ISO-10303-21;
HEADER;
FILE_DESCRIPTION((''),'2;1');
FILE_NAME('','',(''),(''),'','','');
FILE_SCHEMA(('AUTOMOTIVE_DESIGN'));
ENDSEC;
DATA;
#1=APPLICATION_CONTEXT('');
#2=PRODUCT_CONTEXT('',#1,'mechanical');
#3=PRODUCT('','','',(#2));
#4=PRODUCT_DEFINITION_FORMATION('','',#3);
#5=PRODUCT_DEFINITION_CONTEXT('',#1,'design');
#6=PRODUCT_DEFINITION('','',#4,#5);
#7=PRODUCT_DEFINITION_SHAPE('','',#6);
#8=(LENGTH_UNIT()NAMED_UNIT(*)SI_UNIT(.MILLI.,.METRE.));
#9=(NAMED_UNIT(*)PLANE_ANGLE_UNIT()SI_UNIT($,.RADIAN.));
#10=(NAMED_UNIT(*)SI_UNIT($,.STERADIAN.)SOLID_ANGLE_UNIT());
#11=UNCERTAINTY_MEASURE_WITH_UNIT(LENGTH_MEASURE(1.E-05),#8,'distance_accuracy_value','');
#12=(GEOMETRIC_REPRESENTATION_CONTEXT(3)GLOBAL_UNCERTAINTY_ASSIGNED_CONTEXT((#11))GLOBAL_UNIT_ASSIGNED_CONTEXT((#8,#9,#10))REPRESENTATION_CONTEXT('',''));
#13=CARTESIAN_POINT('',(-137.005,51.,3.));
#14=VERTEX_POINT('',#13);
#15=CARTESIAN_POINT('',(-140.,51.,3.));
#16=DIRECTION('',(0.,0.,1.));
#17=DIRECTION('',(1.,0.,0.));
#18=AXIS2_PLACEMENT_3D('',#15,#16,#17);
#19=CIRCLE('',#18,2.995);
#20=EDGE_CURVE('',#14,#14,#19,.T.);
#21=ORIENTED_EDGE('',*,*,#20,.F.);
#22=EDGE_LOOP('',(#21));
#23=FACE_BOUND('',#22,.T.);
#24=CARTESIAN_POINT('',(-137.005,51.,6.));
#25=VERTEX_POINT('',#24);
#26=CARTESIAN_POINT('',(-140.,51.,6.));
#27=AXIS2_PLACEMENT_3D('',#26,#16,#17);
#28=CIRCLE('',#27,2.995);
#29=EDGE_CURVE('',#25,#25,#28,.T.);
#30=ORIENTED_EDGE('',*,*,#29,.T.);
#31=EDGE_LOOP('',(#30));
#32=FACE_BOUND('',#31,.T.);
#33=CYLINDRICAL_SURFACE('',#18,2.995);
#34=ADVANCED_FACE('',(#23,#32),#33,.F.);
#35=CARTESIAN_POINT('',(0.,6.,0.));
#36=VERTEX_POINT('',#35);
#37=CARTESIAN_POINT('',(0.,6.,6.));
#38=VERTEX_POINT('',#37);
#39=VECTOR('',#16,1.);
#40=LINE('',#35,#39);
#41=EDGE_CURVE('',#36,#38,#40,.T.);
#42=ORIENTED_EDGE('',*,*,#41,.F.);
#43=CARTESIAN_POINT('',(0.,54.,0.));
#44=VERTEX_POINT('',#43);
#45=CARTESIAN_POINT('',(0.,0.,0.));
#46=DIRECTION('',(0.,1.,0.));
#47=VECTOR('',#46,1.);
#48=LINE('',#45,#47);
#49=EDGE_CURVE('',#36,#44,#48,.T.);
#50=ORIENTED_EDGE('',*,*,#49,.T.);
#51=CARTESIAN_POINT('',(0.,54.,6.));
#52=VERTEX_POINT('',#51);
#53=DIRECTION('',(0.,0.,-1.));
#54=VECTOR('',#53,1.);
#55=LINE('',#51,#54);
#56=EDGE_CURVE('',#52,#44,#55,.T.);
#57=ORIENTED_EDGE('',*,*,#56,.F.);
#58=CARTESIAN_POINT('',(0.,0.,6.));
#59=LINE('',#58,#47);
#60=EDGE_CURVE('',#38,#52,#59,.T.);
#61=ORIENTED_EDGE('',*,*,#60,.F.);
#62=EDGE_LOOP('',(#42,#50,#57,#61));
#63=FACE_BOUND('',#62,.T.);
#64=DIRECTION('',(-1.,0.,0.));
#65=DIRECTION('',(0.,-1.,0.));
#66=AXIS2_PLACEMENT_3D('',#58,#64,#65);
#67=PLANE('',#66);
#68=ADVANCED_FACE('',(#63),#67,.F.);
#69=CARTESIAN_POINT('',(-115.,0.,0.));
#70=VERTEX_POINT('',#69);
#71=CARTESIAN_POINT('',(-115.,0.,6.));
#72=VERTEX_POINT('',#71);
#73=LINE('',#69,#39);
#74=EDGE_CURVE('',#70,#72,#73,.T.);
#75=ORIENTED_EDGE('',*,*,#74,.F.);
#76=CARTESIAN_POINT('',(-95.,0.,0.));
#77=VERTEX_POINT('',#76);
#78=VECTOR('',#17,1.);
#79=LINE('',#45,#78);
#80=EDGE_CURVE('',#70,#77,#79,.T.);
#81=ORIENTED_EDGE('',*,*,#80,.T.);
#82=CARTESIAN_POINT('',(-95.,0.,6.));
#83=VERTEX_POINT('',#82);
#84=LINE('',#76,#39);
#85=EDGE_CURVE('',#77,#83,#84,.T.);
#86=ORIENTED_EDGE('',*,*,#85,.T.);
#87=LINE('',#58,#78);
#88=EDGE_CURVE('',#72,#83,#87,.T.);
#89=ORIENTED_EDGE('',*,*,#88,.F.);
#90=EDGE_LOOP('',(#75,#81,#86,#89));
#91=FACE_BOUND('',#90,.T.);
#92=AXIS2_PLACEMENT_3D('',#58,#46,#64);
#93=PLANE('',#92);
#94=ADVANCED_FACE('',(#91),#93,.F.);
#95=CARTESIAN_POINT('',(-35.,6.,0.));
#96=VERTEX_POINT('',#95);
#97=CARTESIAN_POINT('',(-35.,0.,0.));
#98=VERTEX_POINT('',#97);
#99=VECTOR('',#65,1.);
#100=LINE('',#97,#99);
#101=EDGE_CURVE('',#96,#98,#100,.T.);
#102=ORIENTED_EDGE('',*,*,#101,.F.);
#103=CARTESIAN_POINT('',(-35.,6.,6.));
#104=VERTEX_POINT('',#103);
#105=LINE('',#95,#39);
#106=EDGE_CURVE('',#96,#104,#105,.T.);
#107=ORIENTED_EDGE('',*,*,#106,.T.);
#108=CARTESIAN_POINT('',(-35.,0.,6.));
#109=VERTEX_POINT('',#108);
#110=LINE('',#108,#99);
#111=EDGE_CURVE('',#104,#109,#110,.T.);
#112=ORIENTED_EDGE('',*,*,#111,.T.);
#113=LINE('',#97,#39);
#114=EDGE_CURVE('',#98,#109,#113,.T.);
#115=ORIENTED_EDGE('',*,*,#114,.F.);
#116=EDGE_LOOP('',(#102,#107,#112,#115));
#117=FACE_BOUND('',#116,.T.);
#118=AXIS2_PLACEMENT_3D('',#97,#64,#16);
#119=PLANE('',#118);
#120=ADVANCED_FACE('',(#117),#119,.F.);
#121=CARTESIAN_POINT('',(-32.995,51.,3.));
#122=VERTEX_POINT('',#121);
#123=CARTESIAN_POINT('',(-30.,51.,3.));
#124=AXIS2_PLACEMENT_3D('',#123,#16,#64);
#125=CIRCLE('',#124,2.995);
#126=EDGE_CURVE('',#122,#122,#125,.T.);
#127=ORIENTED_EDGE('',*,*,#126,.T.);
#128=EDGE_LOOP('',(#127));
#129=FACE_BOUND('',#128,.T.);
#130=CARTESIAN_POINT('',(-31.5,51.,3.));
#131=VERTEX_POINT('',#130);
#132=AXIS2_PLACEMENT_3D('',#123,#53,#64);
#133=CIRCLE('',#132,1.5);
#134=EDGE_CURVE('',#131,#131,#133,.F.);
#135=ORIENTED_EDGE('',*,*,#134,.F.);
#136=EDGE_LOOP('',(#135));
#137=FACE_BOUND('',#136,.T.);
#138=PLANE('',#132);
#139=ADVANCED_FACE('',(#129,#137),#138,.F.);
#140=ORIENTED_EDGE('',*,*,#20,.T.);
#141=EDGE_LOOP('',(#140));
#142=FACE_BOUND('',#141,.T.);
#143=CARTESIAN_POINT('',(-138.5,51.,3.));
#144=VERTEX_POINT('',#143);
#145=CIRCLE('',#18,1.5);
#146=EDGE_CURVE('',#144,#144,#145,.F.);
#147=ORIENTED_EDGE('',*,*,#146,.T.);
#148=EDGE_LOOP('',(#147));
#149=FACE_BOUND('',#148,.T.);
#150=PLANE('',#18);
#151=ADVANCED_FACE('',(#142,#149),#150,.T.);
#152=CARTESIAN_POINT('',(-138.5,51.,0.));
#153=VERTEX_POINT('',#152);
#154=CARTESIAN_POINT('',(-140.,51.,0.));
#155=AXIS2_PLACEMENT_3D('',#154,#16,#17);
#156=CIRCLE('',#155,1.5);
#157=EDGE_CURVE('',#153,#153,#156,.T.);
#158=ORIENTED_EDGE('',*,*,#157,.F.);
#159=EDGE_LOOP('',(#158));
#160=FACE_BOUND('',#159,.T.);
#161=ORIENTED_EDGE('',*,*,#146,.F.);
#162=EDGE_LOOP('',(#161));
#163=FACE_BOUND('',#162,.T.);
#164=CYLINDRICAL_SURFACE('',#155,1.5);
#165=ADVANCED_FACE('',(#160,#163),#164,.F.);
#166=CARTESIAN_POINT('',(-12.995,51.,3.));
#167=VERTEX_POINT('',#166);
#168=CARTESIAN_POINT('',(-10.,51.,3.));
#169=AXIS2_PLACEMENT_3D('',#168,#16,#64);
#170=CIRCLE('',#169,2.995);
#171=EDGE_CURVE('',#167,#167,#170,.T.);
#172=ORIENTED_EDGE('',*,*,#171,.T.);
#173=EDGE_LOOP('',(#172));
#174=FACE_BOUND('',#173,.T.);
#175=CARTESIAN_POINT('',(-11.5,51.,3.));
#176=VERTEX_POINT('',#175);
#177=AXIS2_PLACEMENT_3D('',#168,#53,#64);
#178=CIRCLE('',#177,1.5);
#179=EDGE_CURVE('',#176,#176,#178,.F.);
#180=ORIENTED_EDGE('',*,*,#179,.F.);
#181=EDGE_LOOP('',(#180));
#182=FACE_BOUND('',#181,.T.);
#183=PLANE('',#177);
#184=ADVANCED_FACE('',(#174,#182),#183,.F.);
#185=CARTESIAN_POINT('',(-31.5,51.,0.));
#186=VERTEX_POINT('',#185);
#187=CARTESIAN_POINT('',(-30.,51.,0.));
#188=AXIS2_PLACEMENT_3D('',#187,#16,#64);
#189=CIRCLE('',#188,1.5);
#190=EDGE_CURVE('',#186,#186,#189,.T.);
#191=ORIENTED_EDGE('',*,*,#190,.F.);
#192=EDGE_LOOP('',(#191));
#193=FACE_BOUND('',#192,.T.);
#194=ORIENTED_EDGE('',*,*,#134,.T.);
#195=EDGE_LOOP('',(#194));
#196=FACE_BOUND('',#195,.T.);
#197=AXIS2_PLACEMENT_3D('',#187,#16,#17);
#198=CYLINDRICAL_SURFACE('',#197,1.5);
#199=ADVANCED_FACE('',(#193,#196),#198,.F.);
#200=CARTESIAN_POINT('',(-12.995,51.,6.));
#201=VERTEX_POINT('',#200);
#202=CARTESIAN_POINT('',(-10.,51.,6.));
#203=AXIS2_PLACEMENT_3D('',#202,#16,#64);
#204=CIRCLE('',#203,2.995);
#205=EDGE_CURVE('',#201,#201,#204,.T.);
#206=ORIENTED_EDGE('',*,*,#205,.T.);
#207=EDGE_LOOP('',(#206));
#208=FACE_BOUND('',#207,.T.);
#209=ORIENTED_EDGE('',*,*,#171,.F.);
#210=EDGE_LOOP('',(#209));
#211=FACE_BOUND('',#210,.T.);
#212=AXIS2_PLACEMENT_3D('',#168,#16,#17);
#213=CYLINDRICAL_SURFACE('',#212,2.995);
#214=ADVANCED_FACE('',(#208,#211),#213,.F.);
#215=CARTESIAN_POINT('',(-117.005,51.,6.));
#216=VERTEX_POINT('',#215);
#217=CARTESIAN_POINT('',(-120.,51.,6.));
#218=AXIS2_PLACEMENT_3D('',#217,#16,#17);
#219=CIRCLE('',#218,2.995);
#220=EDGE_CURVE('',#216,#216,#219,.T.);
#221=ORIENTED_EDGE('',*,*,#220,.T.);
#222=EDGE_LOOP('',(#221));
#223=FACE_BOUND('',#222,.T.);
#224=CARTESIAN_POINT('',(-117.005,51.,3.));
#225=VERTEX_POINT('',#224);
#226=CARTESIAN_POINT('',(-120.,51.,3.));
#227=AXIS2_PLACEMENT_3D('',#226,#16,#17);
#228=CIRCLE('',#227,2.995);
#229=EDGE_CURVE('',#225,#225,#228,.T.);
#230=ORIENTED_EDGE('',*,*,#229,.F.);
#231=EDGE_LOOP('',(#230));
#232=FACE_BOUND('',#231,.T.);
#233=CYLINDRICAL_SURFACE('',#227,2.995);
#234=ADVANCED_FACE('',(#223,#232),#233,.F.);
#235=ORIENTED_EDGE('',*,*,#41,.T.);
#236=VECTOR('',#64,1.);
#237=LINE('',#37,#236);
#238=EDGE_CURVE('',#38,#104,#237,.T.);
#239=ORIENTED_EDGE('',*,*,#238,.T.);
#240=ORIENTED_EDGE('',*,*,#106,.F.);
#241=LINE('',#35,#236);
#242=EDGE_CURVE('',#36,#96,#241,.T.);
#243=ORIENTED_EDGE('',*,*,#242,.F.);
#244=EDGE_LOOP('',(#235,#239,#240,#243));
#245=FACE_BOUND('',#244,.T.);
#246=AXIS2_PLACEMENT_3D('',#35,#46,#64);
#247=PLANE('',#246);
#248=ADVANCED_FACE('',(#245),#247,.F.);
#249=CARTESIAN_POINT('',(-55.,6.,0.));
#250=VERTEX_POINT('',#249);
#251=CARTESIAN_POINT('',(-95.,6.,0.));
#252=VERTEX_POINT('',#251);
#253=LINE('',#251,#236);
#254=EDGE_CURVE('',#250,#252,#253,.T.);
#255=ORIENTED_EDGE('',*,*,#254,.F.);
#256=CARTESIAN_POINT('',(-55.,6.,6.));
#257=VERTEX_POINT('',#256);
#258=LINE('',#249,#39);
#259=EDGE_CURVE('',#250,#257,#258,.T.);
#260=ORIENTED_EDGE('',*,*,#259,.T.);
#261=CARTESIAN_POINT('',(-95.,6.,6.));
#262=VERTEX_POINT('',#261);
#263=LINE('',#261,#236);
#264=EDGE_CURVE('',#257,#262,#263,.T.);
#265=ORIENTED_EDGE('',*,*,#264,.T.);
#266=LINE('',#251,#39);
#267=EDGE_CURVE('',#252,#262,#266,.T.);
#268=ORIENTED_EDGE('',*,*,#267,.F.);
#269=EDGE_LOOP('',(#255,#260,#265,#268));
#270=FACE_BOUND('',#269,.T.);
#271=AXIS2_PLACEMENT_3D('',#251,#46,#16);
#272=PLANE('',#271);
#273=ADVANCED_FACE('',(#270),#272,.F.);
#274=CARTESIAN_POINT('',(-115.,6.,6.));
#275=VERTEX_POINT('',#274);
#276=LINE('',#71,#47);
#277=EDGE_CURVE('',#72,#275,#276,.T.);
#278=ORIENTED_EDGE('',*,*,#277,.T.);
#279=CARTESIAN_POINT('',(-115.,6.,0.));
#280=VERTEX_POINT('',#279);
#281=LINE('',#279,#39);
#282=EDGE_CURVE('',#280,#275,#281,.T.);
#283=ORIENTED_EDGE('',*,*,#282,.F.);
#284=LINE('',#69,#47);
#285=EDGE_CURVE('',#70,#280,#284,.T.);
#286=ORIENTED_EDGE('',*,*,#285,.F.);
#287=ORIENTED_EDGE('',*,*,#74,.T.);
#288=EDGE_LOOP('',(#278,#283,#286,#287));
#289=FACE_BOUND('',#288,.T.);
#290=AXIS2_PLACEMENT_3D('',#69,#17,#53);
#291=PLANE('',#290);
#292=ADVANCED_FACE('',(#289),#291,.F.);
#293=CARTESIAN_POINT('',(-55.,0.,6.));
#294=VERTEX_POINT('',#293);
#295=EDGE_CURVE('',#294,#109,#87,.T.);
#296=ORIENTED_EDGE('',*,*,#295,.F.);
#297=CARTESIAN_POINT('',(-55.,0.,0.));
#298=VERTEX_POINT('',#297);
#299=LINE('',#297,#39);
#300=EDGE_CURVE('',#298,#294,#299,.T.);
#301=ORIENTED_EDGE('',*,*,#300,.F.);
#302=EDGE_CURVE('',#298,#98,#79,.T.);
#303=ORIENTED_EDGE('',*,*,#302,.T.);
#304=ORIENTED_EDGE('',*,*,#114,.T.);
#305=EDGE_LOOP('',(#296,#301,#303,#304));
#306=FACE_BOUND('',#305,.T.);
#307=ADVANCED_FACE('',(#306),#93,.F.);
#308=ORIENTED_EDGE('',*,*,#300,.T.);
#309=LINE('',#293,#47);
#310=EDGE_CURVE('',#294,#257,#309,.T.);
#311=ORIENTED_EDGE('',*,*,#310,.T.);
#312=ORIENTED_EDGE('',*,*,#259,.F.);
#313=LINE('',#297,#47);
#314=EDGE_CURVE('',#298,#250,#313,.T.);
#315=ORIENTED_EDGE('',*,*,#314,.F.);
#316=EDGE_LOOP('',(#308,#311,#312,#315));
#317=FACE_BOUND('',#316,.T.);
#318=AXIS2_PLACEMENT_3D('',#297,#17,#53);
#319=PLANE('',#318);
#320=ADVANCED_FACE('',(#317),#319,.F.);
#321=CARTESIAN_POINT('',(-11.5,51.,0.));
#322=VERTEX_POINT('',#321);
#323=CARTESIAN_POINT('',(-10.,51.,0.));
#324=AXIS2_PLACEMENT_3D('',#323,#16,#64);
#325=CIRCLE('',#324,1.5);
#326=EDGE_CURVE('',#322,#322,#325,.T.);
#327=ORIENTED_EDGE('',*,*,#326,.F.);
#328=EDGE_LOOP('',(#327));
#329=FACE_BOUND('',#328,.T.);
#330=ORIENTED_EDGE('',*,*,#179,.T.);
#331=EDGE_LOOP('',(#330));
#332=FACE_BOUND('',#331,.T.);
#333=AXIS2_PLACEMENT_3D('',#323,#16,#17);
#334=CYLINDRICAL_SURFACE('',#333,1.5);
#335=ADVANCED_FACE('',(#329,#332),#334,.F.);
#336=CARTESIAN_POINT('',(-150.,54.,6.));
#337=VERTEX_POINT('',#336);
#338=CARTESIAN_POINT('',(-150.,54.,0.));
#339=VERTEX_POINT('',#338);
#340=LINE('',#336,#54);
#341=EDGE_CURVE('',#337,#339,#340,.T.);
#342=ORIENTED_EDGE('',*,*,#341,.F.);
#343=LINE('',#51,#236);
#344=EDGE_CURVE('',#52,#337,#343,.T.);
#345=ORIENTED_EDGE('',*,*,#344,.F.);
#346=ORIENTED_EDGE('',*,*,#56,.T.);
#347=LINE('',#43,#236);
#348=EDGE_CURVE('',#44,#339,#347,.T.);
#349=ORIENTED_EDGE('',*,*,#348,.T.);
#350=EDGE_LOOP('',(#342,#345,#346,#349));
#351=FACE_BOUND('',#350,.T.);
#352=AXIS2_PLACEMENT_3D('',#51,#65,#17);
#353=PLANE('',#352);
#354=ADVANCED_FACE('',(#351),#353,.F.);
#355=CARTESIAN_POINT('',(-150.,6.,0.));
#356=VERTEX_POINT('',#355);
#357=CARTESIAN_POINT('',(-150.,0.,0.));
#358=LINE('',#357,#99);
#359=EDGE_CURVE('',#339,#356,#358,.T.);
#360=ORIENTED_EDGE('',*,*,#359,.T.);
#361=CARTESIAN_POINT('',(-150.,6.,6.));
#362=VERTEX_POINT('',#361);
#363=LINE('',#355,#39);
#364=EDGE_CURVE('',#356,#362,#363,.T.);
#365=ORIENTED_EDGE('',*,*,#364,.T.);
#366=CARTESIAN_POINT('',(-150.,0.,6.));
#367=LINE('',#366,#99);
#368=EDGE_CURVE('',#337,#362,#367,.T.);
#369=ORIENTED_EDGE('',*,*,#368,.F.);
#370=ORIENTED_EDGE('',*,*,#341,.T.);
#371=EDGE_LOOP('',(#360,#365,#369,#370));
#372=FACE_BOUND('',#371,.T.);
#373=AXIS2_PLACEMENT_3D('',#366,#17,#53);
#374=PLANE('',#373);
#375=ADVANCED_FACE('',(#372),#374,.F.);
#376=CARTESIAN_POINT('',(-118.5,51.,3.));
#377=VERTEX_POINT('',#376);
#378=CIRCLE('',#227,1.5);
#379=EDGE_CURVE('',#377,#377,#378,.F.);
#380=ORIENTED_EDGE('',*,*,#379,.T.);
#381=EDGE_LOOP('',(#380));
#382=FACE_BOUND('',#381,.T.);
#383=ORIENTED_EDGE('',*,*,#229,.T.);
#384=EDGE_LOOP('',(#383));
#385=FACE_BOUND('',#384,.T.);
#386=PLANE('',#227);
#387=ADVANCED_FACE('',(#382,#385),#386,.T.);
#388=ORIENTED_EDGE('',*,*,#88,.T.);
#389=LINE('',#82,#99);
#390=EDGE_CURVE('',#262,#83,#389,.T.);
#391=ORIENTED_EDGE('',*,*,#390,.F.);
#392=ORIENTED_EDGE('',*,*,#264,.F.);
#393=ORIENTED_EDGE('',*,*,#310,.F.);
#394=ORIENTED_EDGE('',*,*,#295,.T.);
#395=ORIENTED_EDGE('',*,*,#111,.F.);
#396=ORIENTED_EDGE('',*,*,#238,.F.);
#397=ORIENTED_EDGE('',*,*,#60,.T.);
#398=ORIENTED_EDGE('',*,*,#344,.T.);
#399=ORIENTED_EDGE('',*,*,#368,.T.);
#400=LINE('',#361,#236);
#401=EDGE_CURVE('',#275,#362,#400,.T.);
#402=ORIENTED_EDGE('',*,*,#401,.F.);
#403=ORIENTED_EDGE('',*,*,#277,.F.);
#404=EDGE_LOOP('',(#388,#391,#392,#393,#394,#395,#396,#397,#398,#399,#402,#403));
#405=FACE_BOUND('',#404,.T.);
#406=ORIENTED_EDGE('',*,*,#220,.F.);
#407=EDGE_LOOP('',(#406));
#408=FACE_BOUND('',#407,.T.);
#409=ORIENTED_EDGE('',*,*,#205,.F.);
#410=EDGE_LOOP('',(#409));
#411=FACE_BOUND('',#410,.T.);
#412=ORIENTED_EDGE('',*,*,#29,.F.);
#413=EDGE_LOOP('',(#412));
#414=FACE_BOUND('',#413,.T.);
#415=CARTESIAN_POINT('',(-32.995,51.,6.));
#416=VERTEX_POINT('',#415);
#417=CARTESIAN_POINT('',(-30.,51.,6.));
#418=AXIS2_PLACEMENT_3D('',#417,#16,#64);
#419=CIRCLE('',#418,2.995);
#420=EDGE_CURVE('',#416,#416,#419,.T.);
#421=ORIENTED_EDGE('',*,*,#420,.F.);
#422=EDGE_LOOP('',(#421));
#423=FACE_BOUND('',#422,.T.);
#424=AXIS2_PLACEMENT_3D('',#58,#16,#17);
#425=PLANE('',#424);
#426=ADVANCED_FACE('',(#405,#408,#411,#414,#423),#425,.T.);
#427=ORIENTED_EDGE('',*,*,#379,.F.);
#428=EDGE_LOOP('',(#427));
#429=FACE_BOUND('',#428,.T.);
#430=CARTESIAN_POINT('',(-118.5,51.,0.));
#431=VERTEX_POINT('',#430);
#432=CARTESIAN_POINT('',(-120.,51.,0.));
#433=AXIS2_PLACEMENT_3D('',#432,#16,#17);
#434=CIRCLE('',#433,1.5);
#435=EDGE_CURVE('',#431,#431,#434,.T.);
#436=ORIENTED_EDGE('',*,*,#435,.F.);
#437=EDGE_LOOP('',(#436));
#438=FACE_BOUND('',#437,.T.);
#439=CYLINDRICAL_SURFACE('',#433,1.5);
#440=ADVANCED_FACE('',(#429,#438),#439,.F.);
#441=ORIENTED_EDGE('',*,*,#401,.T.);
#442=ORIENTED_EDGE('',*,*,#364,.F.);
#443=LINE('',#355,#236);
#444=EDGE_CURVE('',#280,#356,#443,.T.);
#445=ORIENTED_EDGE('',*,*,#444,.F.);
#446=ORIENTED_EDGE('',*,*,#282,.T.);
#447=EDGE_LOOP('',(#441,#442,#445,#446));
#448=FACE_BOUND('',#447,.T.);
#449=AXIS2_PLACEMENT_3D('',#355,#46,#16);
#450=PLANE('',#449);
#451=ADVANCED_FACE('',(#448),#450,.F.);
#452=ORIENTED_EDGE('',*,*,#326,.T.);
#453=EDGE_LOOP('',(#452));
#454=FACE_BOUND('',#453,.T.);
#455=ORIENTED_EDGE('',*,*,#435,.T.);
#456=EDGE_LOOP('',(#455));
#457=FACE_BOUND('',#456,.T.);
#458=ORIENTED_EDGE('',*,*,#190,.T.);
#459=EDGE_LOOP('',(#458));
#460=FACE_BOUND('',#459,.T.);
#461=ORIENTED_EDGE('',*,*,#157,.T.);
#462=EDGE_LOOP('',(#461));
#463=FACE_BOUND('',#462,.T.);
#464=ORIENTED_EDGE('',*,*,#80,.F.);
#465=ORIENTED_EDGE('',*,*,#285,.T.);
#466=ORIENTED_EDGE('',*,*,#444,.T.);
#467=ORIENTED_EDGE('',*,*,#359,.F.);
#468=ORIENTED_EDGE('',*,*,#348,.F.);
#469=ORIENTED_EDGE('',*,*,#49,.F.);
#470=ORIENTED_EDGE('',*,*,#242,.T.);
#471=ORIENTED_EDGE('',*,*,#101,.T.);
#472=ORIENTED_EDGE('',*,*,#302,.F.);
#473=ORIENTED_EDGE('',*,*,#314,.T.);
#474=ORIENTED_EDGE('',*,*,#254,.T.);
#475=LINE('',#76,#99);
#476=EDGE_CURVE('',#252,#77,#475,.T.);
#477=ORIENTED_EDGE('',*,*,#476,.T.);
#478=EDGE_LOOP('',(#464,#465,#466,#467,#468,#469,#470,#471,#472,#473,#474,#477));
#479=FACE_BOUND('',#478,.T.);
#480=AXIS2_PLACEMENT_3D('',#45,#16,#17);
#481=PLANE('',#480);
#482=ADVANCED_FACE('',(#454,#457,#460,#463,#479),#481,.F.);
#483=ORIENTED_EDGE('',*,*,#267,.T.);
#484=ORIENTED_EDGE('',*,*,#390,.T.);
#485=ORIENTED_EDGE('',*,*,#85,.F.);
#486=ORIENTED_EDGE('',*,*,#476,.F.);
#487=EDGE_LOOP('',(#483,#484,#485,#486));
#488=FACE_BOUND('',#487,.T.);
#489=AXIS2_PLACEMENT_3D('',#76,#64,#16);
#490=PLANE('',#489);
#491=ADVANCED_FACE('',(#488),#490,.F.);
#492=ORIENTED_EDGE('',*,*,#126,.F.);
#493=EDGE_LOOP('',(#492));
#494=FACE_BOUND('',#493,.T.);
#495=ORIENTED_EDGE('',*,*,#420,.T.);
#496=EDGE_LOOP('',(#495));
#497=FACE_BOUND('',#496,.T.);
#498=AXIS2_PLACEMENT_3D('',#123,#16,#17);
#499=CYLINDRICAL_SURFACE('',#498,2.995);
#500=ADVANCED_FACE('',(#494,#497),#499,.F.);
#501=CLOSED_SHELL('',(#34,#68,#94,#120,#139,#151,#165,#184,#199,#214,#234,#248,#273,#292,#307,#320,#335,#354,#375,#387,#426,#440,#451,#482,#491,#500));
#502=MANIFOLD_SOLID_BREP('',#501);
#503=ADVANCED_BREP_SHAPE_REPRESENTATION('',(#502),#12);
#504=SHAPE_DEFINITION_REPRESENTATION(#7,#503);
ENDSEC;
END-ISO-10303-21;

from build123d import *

# Parameters (mm, degrees)
ESQUISSE1_W             = 150
ESQUISSE1_H             = 54
BOSS_EXTRU_1_DEPTH      = 6
ESQUISSE2_W             = 35
ESQUISSE2_H             = 6
ESQUISSE2_W_2           = 40
ENL_V_MAT_EXTRU_1_DEPTH = 160.536829604
ESQUISSE4_R             = 1.5
ENL_V_MAT_EXTRU_3_DEPTH = 6
ESQUISSE5_R             = 2.995
ENL_V_MAT_EXTRU_4_DEPTH = 3


with BuildPart() as part:
    # Esquisse1 → Boss.-Extru.1 (new body)
    with BuildSketch(Plane.XY):
        with Locations((-75, 27)):
            Rectangle(ESQUISSE1_W, ESQUISSE1_H)
    extrude(amount=BOSS_EXTRU_1_DEPTH)

    # Esquisse2 → Enlèv. mat.-Extru.1 (cut, through all)
    with BuildSketch(Plane.XY.offset(6)):
        with Locations((-17.5, 3)):
            Rectangle(ESQUISSE2_W, ESQUISSE2_H)
        with Locations((-75, 3)):
            Rectangle(ESQUISSE2_W_2, ESQUISSE2_H)
        with Locations((-132.5, 3)):
            Rectangle(ESQUISSE2_W, ESQUISSE2_H)
    extrude(amount=-ENL_V_MAT_EXTRU_1_DEPTH, mode=Mode.SUBTRACT)

    # Esquisse4 → Enlèv. mat.-Extru.3 (cut)
    with BuildSketch(Plane.XY.offset(6)):
        with Locations((-140, 51)):
            Circle(ESQUISSE4_R)
        with Locations((-120, 51)):
            Circle(ESQUISSE4_R)
        with Locations(Location((-30, 51, 0), (0, 0, 180))):
            Circle(ESQUISSE4_R)
        with Locations(Location((-10, 51, 0), (0, 0, 180))):
            Circle(ESQUISSE4_R)
    extrude(amount=-ENL_V_MAT_EXTRU_3_DEPTH, mode=Mode.SUBTRACT)

    # Esquisse5 → Enlèv. mat.-Extru.4 (cut)
    with BuildSketch(Plane.XY.offset(6)):
        with Locations((-140, 51)):
            Circle(ESQUISSE5_R)
        with Locations((-120, 51)):
            Circle(ESQUISSE5_R)
        with Locations(Location((-30, 51, 0), (0, 0, 180))):
            Circle(ESQUISSE5_R)
        with Locations(Location((-10, 51, 0), (0, 0, 180))):
            Circle(ESQUISSE5_R)
    extrude(amount=-ENL_V_MAT_EXTRU_4_DEPTH, mode=Mode.SUBTRACT)


solid = part.part
